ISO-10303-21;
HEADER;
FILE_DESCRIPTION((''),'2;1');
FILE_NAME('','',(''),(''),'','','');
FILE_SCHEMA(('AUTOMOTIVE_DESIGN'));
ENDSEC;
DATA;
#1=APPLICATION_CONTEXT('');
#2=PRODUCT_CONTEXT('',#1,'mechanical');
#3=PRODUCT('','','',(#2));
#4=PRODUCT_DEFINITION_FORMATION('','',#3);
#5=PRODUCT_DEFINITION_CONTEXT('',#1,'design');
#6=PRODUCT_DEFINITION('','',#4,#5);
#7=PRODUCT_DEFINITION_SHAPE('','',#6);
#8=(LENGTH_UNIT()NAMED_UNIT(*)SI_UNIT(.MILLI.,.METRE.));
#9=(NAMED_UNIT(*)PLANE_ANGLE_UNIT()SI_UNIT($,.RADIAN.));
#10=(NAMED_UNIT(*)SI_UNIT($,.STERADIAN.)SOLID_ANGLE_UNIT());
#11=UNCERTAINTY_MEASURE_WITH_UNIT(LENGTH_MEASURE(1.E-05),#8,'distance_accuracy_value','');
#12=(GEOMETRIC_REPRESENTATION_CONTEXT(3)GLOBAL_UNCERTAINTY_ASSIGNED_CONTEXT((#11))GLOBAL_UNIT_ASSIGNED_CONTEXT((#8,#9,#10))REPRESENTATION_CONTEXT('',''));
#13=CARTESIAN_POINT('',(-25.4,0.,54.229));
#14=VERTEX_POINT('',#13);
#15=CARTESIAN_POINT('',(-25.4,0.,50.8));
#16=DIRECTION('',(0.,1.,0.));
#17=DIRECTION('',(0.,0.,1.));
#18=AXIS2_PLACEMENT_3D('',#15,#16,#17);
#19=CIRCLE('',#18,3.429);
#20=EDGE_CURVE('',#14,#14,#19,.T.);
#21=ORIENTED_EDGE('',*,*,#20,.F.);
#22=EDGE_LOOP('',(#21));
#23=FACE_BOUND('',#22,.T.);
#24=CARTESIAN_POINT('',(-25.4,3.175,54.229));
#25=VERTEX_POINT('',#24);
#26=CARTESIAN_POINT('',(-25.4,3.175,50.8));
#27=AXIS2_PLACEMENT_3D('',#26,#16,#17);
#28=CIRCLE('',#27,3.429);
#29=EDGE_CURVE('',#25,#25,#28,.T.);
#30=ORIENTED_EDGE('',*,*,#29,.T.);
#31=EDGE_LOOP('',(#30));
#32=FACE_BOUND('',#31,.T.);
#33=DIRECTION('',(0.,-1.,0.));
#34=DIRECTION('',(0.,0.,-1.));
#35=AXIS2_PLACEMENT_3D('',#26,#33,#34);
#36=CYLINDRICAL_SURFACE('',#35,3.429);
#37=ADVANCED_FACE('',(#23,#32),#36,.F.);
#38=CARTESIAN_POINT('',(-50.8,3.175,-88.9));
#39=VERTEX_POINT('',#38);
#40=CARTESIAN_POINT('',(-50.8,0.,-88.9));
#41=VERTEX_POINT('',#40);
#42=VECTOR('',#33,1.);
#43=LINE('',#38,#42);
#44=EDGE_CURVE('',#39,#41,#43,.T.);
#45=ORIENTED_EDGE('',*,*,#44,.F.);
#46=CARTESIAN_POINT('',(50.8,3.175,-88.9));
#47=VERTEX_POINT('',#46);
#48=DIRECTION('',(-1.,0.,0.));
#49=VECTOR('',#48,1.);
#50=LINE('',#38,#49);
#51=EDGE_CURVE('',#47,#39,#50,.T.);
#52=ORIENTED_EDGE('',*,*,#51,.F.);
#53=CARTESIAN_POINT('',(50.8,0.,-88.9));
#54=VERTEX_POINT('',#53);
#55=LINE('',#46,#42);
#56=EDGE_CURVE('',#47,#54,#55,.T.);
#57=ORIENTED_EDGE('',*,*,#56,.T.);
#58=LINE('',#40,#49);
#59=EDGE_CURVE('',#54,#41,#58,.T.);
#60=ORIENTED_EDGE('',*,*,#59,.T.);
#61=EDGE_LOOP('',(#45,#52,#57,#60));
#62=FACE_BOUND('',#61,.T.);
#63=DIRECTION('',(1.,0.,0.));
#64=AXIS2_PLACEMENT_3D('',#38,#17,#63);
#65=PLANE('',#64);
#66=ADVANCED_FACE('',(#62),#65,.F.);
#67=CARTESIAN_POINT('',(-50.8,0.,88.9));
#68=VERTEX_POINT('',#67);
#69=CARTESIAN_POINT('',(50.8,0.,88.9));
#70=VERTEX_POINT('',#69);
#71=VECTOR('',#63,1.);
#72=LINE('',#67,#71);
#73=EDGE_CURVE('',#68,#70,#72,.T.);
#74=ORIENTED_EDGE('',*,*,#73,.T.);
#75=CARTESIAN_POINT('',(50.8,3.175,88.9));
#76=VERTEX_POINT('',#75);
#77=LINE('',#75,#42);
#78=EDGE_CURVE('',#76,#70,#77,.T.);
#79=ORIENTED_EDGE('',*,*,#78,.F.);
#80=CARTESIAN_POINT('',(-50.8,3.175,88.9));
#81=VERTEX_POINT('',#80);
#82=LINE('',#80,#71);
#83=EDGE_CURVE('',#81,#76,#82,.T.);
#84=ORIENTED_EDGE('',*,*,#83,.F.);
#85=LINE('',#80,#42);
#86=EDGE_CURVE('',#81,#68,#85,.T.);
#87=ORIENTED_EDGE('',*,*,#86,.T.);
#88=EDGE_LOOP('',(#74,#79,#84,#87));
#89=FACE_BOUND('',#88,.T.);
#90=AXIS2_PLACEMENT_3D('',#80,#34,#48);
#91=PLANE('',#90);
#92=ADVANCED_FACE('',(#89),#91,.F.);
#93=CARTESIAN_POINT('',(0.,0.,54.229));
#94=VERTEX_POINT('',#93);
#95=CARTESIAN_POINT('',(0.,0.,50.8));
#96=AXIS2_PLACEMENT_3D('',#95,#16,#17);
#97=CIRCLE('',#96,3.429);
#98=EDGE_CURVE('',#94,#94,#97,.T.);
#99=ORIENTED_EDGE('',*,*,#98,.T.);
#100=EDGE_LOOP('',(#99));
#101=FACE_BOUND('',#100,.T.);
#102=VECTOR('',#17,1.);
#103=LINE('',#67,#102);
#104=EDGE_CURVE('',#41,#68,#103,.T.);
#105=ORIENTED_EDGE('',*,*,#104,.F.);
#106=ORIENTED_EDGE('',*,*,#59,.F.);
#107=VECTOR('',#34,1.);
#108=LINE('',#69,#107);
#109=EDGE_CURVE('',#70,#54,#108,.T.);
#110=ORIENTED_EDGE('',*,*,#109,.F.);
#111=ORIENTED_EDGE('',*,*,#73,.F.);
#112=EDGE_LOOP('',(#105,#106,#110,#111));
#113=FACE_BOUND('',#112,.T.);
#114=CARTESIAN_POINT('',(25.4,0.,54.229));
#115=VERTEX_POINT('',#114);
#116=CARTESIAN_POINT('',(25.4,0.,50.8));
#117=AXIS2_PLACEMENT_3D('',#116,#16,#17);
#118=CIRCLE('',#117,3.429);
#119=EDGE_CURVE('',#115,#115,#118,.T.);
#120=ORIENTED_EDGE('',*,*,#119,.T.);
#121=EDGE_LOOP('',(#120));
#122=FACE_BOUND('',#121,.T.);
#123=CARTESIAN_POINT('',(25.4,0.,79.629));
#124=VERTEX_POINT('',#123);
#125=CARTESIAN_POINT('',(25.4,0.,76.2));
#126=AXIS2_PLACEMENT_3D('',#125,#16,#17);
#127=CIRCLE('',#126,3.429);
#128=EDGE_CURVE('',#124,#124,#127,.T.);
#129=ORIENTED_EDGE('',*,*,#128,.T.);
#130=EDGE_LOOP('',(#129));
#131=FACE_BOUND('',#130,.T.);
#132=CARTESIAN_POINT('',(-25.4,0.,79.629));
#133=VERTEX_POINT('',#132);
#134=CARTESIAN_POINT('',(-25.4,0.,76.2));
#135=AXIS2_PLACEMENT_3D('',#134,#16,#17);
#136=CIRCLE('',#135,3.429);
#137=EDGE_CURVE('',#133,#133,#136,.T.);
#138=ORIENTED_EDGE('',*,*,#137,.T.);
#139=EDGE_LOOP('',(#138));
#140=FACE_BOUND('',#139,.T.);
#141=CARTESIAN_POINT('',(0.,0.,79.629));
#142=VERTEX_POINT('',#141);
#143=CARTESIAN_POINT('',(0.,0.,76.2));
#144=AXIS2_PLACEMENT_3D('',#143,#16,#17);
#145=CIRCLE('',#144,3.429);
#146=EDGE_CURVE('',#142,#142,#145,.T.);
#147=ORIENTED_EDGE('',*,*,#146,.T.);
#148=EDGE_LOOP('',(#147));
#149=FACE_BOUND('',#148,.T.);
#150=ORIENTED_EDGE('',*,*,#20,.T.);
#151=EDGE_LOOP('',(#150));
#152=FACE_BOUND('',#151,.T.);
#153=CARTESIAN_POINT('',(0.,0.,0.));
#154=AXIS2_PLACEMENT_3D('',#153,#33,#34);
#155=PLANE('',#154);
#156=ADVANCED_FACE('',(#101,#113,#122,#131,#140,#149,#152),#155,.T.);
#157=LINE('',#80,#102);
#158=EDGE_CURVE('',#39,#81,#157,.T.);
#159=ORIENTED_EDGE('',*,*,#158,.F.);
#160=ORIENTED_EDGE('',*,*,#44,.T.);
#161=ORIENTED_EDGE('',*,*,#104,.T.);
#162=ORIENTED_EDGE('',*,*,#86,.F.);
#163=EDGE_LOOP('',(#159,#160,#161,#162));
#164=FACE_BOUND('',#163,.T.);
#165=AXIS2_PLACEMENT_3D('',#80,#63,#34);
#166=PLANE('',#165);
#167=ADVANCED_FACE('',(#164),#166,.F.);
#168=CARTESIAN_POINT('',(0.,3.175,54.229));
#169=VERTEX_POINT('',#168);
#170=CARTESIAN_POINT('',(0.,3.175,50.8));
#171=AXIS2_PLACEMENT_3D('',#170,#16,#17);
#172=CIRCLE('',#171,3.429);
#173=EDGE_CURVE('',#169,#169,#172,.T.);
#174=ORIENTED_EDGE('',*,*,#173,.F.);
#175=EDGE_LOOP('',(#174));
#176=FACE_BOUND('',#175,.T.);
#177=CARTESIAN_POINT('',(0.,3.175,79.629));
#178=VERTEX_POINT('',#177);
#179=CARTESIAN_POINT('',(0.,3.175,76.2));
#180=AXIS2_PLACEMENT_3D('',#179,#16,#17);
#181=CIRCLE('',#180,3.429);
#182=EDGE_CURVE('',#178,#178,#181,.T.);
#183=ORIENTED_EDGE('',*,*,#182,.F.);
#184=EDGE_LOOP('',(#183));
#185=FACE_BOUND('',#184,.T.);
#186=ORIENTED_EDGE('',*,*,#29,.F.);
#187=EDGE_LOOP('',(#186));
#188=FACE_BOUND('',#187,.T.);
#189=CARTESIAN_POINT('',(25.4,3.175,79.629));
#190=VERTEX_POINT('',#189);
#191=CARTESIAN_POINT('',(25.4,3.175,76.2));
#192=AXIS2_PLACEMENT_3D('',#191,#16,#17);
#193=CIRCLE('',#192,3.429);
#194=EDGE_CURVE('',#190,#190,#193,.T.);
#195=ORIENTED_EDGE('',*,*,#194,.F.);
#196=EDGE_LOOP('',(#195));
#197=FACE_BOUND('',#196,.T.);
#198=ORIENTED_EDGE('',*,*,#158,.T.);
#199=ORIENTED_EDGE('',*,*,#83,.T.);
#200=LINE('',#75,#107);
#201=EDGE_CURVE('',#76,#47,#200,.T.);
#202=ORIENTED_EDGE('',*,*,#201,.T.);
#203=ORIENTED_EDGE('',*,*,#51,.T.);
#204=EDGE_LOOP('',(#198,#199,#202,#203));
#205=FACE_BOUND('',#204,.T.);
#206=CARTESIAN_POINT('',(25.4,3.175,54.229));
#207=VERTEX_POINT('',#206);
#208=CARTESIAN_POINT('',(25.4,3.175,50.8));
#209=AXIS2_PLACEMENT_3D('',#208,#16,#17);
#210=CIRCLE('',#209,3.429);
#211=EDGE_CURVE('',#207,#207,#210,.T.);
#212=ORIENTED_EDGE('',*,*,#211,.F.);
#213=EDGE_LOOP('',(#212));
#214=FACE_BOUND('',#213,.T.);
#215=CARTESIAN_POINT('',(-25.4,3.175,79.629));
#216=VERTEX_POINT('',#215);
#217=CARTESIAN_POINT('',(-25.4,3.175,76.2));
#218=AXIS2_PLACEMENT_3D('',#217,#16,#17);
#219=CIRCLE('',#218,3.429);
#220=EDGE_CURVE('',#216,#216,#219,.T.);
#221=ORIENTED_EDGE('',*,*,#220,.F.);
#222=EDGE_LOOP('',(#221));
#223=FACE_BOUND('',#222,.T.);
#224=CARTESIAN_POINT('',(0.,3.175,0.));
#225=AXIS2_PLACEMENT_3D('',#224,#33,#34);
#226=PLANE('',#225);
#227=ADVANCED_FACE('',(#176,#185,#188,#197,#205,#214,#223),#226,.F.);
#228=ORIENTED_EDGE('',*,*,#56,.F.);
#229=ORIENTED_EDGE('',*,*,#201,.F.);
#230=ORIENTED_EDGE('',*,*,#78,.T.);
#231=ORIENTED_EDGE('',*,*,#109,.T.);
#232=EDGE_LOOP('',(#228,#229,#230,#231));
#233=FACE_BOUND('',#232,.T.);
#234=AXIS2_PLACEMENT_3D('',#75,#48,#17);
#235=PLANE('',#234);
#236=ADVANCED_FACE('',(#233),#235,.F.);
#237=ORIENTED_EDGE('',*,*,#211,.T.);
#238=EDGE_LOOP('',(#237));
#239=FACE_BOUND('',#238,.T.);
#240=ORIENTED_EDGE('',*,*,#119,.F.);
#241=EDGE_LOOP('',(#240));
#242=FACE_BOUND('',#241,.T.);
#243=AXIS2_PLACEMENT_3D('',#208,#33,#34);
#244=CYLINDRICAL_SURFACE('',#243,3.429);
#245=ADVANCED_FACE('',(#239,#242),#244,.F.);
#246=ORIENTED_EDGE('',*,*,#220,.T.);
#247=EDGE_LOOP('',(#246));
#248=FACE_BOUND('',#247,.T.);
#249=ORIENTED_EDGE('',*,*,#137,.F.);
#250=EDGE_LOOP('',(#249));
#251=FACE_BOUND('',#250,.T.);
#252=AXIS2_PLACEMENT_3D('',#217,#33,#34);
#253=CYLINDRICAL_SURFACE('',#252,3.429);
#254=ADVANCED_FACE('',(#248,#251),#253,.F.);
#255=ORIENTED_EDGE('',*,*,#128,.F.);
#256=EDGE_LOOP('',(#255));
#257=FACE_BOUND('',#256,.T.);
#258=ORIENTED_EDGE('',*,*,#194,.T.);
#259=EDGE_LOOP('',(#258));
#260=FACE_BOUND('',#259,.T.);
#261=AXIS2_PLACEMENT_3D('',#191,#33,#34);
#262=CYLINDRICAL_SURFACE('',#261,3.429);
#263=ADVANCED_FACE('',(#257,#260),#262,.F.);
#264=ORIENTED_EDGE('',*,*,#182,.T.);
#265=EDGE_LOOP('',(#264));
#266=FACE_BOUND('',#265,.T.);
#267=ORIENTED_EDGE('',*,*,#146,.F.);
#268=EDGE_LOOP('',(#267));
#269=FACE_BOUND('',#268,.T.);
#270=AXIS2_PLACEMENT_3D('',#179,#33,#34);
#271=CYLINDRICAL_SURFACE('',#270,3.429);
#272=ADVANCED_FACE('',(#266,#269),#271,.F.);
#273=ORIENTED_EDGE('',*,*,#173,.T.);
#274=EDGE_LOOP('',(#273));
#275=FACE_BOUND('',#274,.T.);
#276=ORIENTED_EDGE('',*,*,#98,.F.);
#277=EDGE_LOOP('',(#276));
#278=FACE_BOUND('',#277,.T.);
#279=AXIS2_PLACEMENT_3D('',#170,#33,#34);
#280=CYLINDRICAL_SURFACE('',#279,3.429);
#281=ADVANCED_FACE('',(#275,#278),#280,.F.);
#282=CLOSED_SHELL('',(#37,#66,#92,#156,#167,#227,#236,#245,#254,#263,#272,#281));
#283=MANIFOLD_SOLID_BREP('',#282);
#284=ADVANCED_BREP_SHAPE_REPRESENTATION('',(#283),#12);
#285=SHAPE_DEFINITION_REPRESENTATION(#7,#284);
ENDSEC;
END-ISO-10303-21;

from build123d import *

# Parameters (mm, degrees)
SKETCH1_W           = 101.6
SKETCH1_H           = 177.8
SKETCH1_R           = 3.429
BOSS_EXTRUDE1_DEPTH = 3.175


with BuildPart() as part:
    # Sketch1 → Boss-Extrude1 (new body)
    with BuildSketch(Plane(origin=(0, 0, 0), x_dir=(1, 0, 0), z_dir=(0, 1, 0))):
        Rectangle(SKETCH1_W, SKETCH1_H)
        with Locations(Location((-25.4, -76.2, 0), (0, 0, 270))):
            Circle(SKETCH1_R, mode=Mode.SUBTRACT)
        with Locations(Location((0, -76.2, 0), (0, 0, 270))):
            Circle(SKETCH1_R, mode=Mode.SUBTRACT)
        with Locations(Location((25.4, -76.2, 0), (0, 0, 270))):
            Circle(SKETCH1_R, mode=Mode.SUBTRACT)
        with Locations(Location((0, -50.8, 0), (0, 0, 270))):
            Circle(SKETCH1_R, mode=Mode.SUBTRACT)
        with Locations(Location((25.4, -50.8, 0), (0, 0, 270))):
            Circle(SKETCH1_R, mode=Mode.SUBTRACT)
        with Locations(Location((-25.4, -50.8, 0), (0, 0, 270))):
            Circle(SKETCH1_R, mode=Mode.SUBTRACT)
    extrude(amount=BOSS_EXTRUDE1_DEPTH)


solid = part.part
